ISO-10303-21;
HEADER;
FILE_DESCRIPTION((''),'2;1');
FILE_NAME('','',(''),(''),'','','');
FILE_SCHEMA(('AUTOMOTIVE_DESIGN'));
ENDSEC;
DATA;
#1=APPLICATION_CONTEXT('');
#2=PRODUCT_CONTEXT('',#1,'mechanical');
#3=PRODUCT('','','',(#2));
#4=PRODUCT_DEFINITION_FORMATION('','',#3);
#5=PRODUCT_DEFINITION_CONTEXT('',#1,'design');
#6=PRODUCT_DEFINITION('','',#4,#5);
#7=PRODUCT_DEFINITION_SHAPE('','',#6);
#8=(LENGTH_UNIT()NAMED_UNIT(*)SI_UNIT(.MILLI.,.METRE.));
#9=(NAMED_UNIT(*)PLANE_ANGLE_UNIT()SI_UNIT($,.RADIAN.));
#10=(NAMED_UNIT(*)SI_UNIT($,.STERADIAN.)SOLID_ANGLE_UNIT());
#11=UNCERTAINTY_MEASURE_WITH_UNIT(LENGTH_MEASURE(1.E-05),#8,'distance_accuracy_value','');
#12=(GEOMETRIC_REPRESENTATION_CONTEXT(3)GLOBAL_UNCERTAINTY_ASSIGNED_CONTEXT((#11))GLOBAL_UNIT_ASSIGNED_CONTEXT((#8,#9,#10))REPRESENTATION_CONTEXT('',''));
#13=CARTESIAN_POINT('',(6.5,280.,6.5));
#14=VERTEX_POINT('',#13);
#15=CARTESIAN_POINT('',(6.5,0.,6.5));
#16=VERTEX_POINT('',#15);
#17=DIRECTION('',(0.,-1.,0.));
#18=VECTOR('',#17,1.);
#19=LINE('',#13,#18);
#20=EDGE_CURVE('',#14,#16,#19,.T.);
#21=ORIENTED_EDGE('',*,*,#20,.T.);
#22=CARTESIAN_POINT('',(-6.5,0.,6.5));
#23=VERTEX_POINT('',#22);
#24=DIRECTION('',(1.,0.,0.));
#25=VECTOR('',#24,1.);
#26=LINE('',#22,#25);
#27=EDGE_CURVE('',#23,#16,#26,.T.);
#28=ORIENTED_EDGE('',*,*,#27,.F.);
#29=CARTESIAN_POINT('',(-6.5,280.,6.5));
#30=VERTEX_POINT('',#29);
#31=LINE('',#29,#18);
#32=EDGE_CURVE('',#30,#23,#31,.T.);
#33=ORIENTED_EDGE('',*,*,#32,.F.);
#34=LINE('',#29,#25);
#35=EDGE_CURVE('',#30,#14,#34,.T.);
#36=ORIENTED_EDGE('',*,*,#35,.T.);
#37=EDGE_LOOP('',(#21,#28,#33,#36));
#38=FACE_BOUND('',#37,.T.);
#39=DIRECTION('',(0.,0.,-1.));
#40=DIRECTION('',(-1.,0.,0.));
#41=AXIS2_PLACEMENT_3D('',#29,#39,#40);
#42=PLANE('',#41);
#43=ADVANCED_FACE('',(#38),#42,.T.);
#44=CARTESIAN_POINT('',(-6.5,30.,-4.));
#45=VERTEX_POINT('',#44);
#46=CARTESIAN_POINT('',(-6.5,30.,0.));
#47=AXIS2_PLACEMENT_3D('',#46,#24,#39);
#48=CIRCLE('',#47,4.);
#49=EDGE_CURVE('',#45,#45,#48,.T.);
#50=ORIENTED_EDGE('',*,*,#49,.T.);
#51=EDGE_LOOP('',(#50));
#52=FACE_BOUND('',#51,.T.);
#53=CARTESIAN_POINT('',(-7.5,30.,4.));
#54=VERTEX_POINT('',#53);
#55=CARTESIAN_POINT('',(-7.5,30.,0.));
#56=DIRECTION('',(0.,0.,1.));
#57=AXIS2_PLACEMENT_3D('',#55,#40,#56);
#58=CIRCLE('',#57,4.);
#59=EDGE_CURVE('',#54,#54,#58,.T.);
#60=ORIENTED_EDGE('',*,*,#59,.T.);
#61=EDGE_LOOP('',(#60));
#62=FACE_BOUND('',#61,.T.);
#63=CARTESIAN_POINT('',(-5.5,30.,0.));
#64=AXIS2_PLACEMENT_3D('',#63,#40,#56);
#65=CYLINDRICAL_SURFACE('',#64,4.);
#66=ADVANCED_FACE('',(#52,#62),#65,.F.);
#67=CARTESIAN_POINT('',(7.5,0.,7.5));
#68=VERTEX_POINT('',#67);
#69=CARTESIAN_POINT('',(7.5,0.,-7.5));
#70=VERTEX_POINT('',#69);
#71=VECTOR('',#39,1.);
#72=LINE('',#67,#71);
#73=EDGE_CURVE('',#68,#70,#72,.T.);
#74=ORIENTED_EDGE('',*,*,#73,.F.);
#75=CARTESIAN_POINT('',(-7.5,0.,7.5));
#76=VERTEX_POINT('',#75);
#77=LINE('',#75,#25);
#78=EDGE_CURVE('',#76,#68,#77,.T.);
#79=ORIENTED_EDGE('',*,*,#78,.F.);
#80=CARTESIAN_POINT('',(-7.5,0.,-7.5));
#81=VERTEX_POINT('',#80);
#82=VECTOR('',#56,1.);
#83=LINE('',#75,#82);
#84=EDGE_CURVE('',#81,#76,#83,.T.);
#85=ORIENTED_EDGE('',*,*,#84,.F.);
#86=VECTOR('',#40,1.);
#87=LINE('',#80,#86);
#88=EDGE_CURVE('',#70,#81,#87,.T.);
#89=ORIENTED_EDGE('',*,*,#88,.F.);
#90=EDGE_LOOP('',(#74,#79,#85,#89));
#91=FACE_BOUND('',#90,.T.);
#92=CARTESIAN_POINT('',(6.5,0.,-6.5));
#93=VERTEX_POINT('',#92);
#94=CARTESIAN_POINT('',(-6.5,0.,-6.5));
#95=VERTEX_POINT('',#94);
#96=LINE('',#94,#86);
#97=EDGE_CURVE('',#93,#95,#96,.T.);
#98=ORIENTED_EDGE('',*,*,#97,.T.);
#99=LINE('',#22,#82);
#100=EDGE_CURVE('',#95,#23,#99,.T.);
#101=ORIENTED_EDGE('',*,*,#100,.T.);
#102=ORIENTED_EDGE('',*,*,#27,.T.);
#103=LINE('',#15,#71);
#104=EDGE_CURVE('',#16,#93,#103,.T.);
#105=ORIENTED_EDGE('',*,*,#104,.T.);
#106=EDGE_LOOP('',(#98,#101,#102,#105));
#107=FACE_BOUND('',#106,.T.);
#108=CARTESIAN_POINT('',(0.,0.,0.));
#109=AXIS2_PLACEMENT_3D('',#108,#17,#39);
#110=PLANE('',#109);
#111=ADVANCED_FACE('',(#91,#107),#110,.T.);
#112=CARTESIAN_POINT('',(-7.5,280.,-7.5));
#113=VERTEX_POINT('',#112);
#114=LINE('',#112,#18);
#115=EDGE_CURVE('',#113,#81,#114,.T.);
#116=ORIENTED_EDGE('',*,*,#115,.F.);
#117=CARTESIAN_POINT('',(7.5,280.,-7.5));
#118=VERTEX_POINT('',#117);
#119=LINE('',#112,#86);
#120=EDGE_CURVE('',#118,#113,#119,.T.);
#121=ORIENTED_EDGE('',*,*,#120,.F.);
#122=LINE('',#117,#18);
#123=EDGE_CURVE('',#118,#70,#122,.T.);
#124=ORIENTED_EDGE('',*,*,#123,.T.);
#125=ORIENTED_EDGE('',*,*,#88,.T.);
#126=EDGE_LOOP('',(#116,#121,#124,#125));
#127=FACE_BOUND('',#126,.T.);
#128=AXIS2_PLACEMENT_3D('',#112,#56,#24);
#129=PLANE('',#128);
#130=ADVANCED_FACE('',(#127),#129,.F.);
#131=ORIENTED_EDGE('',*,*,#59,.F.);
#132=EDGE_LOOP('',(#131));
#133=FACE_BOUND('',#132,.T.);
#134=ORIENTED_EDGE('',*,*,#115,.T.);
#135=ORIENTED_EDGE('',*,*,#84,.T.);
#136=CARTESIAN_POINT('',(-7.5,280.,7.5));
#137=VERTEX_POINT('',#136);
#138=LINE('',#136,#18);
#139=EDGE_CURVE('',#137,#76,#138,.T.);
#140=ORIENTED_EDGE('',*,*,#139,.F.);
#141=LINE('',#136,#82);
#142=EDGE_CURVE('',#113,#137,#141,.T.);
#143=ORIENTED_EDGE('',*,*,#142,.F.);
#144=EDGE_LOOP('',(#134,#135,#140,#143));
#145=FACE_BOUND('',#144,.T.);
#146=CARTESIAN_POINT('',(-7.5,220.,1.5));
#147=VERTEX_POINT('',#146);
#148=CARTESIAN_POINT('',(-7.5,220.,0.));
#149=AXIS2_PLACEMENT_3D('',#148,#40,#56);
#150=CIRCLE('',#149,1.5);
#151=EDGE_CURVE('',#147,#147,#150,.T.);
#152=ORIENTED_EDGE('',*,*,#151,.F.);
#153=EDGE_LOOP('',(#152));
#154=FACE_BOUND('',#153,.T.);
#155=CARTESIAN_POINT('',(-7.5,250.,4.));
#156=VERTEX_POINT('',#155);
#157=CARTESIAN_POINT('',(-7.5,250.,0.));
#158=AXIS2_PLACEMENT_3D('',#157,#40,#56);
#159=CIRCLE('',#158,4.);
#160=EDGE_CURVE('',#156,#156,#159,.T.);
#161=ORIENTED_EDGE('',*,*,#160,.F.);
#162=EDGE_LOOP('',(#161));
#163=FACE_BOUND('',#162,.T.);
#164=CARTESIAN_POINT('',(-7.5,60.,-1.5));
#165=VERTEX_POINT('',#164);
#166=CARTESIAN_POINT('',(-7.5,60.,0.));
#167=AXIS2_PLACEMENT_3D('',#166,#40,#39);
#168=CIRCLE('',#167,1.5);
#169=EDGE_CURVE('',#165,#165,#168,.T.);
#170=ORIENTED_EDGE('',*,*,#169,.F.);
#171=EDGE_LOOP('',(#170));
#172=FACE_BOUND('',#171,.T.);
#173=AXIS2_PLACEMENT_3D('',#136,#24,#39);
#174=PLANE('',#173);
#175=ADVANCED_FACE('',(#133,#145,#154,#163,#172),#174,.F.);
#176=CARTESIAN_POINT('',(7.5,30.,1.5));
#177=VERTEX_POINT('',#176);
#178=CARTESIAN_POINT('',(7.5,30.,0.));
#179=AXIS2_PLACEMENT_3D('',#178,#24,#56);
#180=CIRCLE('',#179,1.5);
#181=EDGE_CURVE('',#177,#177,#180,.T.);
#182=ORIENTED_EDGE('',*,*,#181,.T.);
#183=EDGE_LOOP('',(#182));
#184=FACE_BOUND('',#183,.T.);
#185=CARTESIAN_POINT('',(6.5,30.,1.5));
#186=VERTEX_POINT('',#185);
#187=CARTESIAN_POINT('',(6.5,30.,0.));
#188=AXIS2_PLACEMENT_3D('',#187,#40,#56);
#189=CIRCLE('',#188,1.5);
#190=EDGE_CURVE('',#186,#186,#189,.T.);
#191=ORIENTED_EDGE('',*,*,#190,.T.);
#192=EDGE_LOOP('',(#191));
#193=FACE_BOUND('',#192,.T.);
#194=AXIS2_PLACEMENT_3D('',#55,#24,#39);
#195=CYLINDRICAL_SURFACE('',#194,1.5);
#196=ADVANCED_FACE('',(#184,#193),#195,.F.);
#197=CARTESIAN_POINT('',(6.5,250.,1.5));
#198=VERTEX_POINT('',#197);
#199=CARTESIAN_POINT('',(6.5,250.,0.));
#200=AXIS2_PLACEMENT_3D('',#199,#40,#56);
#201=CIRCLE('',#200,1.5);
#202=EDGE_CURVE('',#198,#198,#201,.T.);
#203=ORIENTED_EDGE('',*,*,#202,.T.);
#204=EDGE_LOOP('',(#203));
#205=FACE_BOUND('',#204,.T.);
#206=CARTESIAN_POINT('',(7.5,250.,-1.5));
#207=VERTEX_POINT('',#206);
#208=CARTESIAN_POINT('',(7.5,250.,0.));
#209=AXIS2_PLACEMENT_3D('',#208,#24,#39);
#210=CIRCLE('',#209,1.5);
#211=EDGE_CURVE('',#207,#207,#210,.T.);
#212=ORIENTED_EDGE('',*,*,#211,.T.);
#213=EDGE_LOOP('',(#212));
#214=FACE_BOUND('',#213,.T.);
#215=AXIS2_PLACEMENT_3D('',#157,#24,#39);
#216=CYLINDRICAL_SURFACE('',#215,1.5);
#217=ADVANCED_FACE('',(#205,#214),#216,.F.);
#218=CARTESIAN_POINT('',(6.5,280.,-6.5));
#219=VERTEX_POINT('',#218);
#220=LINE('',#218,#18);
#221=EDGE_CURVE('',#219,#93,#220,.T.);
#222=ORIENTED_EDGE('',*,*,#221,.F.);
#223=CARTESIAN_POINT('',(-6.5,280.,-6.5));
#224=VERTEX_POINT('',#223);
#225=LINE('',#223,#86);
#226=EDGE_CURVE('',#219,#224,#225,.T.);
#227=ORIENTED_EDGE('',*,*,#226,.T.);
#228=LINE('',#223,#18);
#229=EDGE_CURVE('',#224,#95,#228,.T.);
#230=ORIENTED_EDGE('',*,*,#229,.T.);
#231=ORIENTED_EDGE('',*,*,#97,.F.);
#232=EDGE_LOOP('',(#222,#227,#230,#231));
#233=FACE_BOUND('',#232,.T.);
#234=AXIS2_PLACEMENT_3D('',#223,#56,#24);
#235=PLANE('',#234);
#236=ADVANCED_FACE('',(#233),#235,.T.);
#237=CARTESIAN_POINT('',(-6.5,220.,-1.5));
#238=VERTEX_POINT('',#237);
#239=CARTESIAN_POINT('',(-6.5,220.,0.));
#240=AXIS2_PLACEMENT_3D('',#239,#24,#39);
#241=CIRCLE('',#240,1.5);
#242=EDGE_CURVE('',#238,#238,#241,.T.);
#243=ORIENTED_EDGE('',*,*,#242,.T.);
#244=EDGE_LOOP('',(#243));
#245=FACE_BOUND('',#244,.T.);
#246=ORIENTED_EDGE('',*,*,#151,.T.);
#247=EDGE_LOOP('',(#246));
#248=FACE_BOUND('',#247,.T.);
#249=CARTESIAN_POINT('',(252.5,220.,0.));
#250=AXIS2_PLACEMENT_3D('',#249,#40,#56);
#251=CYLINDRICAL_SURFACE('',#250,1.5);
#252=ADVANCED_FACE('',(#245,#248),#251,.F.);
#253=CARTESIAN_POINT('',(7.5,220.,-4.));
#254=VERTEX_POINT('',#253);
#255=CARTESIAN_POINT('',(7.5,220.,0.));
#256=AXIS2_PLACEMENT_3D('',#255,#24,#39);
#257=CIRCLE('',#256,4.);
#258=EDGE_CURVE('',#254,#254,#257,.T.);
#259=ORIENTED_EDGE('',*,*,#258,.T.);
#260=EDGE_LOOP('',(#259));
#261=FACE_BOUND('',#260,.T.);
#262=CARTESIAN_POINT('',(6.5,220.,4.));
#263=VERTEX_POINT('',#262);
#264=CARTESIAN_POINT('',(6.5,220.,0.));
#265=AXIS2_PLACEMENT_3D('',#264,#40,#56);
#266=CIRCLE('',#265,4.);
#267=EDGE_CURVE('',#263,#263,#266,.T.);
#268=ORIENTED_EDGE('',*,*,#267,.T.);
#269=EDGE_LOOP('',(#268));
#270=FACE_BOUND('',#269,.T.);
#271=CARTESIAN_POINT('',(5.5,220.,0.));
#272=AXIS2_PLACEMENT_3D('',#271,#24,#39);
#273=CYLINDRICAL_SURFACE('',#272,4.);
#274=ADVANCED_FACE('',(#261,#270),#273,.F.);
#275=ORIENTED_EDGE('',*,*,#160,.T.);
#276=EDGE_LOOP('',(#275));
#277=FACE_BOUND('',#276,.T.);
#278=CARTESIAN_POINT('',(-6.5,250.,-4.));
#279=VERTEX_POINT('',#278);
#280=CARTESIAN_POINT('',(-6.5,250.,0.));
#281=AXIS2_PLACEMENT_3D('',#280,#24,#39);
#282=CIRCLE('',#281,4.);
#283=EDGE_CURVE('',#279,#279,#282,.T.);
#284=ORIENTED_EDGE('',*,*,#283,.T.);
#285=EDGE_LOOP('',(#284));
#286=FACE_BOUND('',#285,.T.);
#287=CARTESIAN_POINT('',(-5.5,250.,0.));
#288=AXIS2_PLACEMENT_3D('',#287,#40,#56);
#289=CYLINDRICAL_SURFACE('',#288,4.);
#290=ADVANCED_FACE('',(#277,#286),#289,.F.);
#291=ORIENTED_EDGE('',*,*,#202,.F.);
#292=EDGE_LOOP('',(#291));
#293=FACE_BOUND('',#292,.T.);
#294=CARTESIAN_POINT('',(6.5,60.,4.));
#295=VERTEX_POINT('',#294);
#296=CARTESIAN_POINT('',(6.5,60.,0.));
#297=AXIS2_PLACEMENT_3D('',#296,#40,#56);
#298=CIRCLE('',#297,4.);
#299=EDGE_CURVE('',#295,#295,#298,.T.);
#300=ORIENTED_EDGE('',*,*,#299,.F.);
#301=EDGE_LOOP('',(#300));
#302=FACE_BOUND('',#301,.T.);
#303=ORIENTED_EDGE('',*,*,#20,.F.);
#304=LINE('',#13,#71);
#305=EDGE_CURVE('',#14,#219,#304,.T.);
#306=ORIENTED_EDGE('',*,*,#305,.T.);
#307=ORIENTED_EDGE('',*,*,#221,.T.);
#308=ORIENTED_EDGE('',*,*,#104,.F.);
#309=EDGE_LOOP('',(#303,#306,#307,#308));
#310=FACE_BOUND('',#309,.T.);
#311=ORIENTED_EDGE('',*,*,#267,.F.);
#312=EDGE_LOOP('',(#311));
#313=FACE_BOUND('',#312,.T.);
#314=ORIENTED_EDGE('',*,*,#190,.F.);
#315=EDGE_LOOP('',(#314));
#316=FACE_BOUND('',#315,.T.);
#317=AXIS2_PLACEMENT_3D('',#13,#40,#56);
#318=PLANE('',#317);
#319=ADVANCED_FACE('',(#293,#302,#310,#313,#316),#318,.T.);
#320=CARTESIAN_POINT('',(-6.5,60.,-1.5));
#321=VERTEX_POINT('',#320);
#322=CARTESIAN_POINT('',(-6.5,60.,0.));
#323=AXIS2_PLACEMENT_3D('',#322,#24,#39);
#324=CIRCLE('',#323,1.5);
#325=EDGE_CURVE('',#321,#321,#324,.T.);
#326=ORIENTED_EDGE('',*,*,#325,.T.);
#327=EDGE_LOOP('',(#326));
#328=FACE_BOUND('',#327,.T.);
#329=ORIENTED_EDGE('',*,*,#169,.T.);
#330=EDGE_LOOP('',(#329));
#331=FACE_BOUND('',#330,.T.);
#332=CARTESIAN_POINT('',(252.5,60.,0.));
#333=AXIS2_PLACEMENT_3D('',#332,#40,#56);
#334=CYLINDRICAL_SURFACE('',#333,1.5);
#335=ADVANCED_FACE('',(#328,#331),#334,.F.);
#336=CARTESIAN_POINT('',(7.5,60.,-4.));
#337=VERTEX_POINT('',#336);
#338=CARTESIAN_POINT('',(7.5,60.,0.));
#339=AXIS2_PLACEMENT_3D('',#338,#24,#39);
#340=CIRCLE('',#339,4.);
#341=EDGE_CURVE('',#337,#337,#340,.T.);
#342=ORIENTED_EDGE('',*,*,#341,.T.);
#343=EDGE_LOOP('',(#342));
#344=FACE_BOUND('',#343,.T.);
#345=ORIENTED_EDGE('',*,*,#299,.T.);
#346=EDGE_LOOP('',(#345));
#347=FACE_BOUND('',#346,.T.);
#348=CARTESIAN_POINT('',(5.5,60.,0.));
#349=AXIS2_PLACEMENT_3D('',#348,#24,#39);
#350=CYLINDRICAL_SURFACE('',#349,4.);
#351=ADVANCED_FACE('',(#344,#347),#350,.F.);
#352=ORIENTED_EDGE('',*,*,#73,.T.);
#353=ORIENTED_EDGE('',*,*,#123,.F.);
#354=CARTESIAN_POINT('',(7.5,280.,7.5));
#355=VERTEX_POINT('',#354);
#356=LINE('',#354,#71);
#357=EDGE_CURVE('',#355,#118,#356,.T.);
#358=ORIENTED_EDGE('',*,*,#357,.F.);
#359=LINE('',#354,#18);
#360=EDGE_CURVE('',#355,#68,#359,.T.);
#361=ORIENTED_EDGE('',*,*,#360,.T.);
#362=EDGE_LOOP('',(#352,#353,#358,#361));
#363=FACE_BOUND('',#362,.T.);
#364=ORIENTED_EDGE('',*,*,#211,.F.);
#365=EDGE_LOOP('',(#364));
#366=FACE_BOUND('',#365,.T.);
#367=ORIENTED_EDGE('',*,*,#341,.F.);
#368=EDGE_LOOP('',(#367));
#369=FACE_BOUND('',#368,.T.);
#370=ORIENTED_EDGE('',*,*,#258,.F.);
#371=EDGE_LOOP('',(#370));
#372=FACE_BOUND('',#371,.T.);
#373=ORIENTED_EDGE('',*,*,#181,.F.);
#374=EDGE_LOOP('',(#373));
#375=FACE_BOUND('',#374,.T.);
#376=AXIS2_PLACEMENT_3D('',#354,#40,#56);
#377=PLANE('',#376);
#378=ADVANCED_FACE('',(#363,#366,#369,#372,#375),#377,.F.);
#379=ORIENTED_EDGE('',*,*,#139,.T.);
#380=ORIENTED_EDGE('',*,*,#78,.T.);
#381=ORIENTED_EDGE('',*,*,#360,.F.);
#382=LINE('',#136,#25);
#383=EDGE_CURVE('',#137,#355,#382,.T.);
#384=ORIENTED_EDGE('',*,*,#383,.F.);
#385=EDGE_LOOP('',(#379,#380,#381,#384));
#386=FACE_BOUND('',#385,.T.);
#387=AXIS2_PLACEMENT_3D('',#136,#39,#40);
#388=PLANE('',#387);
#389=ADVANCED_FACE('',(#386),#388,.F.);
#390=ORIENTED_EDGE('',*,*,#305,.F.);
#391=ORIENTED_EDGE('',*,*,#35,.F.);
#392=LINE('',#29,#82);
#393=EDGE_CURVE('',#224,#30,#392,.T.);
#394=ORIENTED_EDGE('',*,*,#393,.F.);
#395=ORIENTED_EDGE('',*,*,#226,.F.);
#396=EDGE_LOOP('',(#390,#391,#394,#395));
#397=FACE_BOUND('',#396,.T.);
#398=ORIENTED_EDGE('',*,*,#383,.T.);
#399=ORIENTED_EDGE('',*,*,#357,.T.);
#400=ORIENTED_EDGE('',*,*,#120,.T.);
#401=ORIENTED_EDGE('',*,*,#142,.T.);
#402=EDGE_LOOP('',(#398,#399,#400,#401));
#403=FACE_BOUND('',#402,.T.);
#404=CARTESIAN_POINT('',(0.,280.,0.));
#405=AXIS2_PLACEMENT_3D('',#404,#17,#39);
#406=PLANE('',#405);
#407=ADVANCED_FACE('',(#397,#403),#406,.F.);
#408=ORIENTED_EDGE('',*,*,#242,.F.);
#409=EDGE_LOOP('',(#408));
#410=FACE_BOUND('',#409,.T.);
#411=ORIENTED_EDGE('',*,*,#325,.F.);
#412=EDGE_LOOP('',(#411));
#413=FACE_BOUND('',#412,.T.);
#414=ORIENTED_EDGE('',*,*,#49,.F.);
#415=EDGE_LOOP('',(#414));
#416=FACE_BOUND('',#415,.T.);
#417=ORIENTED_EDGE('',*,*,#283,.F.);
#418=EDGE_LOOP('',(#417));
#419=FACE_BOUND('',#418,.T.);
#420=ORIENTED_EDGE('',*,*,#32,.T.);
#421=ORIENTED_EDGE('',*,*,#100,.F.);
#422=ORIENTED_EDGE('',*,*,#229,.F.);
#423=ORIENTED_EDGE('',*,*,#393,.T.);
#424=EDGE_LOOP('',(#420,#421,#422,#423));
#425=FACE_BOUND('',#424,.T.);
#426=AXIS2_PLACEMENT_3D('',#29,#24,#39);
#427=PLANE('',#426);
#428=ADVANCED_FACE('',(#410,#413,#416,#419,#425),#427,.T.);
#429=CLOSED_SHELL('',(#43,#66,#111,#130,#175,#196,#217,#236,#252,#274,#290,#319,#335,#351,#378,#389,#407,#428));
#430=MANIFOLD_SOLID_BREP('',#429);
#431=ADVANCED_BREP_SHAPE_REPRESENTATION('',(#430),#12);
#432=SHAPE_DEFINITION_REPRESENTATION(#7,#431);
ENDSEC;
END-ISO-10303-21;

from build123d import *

# Parameters (mm, degrees)
SKETCH_1_W          = 15
SKETCH_1_H          = 15
SKETCH_1_W_2        = 13
SKETCH_1_H_2        = 13
EXTRUDE_1_DEPTH     = 280
SKETCH_2_R          = 1.5
CUT_EXTRUDE_1_DEPTH = 260
SKETCH_3_R          = 4
CUT_EXTRUDE_2_DEPTH = 2
SKETCH_4_R          = 1.5
CUT_EXTRUDE_3_DEPTH = 281.501782526
SKETCH_5_R          = 4
CUT_EXTRUDE_4_DEPTH = 2


with BuildPart() as part:
    # 草图1 → 凸台-拉伸1 (new body)
    with BuildSketch(Plane(origin=(0, 0, 0), x_dir=(1, 0, 0), z_dir=(0, 1, 0))):
        Rectangle(SKETCH_1_W, SKETCH_1_H)
        Rectangle(SKETCH_1_W_2, SKETCH_1_H_2, mode=Mode.SUBTRACT)
    extrude(amount=EXTRUDE_1_DEPTH)

    # 草图2 → 切除-拉伸1 (cut)
    with BuildSketch(Plane.ZY.offset(7.5)):
        with Locations((0, 220)):
            Circle(SKETCH_2_R)
        with Locations((0, 60)):
            Circle(SKETCH_2_R)
    extrude(amount=-CUT_EXTRUDE_1_DEPTH, mode=Mode.SUBTRACT)

    # 草图3 → 切除-拉伸2 (cut)
    with BuildSketch(Plane(origin=(7.5, 0, 0), x_dir=(0, 0, -1), z_dir=(1, 0, 0))):
        with Locations((0, 60)):
            Circle(SKETCH_3_R)
        with Locations((0, 220)):
            Circle(SKETCH_3_R)
    extrude(amount=-CUT_EXTRUDE_2_DEPTH, mode=Mode.SUBTRACT)

    # 草图4 → 切除-拉伸3 (cut, through all)
    with BuildSketch(Plane(origin=(7.5, 0, 0), x_dir=(0, 0, -1), z_dir=(1, 0, 0))):
        with Locations((0, 250)):
            Circle(SKETCH_4_R)
        with Locations(Location((0, 30, 0), (0, 0, 180))):
            Circle(SKETCH_4_R)
    extrude(amount=-CUT_EXTRUDE_3_DEPTH, mode=Mode.SUBTRACT)

    # 草图5 → 切除-拉伸4 (cut)
    with BuildSketch(Plane.ZY.offset(7.5)):
        with Locations((0, 250)):
            Circle(SKETCH_5_R)
        with Locations((0, 30)):
            Circle(SKETCH_5_R)
    extrude(amount=-CUT_EXTRUDE_4_DEPTH, mode=Mode.SUBTRACT)


solid = part.part
